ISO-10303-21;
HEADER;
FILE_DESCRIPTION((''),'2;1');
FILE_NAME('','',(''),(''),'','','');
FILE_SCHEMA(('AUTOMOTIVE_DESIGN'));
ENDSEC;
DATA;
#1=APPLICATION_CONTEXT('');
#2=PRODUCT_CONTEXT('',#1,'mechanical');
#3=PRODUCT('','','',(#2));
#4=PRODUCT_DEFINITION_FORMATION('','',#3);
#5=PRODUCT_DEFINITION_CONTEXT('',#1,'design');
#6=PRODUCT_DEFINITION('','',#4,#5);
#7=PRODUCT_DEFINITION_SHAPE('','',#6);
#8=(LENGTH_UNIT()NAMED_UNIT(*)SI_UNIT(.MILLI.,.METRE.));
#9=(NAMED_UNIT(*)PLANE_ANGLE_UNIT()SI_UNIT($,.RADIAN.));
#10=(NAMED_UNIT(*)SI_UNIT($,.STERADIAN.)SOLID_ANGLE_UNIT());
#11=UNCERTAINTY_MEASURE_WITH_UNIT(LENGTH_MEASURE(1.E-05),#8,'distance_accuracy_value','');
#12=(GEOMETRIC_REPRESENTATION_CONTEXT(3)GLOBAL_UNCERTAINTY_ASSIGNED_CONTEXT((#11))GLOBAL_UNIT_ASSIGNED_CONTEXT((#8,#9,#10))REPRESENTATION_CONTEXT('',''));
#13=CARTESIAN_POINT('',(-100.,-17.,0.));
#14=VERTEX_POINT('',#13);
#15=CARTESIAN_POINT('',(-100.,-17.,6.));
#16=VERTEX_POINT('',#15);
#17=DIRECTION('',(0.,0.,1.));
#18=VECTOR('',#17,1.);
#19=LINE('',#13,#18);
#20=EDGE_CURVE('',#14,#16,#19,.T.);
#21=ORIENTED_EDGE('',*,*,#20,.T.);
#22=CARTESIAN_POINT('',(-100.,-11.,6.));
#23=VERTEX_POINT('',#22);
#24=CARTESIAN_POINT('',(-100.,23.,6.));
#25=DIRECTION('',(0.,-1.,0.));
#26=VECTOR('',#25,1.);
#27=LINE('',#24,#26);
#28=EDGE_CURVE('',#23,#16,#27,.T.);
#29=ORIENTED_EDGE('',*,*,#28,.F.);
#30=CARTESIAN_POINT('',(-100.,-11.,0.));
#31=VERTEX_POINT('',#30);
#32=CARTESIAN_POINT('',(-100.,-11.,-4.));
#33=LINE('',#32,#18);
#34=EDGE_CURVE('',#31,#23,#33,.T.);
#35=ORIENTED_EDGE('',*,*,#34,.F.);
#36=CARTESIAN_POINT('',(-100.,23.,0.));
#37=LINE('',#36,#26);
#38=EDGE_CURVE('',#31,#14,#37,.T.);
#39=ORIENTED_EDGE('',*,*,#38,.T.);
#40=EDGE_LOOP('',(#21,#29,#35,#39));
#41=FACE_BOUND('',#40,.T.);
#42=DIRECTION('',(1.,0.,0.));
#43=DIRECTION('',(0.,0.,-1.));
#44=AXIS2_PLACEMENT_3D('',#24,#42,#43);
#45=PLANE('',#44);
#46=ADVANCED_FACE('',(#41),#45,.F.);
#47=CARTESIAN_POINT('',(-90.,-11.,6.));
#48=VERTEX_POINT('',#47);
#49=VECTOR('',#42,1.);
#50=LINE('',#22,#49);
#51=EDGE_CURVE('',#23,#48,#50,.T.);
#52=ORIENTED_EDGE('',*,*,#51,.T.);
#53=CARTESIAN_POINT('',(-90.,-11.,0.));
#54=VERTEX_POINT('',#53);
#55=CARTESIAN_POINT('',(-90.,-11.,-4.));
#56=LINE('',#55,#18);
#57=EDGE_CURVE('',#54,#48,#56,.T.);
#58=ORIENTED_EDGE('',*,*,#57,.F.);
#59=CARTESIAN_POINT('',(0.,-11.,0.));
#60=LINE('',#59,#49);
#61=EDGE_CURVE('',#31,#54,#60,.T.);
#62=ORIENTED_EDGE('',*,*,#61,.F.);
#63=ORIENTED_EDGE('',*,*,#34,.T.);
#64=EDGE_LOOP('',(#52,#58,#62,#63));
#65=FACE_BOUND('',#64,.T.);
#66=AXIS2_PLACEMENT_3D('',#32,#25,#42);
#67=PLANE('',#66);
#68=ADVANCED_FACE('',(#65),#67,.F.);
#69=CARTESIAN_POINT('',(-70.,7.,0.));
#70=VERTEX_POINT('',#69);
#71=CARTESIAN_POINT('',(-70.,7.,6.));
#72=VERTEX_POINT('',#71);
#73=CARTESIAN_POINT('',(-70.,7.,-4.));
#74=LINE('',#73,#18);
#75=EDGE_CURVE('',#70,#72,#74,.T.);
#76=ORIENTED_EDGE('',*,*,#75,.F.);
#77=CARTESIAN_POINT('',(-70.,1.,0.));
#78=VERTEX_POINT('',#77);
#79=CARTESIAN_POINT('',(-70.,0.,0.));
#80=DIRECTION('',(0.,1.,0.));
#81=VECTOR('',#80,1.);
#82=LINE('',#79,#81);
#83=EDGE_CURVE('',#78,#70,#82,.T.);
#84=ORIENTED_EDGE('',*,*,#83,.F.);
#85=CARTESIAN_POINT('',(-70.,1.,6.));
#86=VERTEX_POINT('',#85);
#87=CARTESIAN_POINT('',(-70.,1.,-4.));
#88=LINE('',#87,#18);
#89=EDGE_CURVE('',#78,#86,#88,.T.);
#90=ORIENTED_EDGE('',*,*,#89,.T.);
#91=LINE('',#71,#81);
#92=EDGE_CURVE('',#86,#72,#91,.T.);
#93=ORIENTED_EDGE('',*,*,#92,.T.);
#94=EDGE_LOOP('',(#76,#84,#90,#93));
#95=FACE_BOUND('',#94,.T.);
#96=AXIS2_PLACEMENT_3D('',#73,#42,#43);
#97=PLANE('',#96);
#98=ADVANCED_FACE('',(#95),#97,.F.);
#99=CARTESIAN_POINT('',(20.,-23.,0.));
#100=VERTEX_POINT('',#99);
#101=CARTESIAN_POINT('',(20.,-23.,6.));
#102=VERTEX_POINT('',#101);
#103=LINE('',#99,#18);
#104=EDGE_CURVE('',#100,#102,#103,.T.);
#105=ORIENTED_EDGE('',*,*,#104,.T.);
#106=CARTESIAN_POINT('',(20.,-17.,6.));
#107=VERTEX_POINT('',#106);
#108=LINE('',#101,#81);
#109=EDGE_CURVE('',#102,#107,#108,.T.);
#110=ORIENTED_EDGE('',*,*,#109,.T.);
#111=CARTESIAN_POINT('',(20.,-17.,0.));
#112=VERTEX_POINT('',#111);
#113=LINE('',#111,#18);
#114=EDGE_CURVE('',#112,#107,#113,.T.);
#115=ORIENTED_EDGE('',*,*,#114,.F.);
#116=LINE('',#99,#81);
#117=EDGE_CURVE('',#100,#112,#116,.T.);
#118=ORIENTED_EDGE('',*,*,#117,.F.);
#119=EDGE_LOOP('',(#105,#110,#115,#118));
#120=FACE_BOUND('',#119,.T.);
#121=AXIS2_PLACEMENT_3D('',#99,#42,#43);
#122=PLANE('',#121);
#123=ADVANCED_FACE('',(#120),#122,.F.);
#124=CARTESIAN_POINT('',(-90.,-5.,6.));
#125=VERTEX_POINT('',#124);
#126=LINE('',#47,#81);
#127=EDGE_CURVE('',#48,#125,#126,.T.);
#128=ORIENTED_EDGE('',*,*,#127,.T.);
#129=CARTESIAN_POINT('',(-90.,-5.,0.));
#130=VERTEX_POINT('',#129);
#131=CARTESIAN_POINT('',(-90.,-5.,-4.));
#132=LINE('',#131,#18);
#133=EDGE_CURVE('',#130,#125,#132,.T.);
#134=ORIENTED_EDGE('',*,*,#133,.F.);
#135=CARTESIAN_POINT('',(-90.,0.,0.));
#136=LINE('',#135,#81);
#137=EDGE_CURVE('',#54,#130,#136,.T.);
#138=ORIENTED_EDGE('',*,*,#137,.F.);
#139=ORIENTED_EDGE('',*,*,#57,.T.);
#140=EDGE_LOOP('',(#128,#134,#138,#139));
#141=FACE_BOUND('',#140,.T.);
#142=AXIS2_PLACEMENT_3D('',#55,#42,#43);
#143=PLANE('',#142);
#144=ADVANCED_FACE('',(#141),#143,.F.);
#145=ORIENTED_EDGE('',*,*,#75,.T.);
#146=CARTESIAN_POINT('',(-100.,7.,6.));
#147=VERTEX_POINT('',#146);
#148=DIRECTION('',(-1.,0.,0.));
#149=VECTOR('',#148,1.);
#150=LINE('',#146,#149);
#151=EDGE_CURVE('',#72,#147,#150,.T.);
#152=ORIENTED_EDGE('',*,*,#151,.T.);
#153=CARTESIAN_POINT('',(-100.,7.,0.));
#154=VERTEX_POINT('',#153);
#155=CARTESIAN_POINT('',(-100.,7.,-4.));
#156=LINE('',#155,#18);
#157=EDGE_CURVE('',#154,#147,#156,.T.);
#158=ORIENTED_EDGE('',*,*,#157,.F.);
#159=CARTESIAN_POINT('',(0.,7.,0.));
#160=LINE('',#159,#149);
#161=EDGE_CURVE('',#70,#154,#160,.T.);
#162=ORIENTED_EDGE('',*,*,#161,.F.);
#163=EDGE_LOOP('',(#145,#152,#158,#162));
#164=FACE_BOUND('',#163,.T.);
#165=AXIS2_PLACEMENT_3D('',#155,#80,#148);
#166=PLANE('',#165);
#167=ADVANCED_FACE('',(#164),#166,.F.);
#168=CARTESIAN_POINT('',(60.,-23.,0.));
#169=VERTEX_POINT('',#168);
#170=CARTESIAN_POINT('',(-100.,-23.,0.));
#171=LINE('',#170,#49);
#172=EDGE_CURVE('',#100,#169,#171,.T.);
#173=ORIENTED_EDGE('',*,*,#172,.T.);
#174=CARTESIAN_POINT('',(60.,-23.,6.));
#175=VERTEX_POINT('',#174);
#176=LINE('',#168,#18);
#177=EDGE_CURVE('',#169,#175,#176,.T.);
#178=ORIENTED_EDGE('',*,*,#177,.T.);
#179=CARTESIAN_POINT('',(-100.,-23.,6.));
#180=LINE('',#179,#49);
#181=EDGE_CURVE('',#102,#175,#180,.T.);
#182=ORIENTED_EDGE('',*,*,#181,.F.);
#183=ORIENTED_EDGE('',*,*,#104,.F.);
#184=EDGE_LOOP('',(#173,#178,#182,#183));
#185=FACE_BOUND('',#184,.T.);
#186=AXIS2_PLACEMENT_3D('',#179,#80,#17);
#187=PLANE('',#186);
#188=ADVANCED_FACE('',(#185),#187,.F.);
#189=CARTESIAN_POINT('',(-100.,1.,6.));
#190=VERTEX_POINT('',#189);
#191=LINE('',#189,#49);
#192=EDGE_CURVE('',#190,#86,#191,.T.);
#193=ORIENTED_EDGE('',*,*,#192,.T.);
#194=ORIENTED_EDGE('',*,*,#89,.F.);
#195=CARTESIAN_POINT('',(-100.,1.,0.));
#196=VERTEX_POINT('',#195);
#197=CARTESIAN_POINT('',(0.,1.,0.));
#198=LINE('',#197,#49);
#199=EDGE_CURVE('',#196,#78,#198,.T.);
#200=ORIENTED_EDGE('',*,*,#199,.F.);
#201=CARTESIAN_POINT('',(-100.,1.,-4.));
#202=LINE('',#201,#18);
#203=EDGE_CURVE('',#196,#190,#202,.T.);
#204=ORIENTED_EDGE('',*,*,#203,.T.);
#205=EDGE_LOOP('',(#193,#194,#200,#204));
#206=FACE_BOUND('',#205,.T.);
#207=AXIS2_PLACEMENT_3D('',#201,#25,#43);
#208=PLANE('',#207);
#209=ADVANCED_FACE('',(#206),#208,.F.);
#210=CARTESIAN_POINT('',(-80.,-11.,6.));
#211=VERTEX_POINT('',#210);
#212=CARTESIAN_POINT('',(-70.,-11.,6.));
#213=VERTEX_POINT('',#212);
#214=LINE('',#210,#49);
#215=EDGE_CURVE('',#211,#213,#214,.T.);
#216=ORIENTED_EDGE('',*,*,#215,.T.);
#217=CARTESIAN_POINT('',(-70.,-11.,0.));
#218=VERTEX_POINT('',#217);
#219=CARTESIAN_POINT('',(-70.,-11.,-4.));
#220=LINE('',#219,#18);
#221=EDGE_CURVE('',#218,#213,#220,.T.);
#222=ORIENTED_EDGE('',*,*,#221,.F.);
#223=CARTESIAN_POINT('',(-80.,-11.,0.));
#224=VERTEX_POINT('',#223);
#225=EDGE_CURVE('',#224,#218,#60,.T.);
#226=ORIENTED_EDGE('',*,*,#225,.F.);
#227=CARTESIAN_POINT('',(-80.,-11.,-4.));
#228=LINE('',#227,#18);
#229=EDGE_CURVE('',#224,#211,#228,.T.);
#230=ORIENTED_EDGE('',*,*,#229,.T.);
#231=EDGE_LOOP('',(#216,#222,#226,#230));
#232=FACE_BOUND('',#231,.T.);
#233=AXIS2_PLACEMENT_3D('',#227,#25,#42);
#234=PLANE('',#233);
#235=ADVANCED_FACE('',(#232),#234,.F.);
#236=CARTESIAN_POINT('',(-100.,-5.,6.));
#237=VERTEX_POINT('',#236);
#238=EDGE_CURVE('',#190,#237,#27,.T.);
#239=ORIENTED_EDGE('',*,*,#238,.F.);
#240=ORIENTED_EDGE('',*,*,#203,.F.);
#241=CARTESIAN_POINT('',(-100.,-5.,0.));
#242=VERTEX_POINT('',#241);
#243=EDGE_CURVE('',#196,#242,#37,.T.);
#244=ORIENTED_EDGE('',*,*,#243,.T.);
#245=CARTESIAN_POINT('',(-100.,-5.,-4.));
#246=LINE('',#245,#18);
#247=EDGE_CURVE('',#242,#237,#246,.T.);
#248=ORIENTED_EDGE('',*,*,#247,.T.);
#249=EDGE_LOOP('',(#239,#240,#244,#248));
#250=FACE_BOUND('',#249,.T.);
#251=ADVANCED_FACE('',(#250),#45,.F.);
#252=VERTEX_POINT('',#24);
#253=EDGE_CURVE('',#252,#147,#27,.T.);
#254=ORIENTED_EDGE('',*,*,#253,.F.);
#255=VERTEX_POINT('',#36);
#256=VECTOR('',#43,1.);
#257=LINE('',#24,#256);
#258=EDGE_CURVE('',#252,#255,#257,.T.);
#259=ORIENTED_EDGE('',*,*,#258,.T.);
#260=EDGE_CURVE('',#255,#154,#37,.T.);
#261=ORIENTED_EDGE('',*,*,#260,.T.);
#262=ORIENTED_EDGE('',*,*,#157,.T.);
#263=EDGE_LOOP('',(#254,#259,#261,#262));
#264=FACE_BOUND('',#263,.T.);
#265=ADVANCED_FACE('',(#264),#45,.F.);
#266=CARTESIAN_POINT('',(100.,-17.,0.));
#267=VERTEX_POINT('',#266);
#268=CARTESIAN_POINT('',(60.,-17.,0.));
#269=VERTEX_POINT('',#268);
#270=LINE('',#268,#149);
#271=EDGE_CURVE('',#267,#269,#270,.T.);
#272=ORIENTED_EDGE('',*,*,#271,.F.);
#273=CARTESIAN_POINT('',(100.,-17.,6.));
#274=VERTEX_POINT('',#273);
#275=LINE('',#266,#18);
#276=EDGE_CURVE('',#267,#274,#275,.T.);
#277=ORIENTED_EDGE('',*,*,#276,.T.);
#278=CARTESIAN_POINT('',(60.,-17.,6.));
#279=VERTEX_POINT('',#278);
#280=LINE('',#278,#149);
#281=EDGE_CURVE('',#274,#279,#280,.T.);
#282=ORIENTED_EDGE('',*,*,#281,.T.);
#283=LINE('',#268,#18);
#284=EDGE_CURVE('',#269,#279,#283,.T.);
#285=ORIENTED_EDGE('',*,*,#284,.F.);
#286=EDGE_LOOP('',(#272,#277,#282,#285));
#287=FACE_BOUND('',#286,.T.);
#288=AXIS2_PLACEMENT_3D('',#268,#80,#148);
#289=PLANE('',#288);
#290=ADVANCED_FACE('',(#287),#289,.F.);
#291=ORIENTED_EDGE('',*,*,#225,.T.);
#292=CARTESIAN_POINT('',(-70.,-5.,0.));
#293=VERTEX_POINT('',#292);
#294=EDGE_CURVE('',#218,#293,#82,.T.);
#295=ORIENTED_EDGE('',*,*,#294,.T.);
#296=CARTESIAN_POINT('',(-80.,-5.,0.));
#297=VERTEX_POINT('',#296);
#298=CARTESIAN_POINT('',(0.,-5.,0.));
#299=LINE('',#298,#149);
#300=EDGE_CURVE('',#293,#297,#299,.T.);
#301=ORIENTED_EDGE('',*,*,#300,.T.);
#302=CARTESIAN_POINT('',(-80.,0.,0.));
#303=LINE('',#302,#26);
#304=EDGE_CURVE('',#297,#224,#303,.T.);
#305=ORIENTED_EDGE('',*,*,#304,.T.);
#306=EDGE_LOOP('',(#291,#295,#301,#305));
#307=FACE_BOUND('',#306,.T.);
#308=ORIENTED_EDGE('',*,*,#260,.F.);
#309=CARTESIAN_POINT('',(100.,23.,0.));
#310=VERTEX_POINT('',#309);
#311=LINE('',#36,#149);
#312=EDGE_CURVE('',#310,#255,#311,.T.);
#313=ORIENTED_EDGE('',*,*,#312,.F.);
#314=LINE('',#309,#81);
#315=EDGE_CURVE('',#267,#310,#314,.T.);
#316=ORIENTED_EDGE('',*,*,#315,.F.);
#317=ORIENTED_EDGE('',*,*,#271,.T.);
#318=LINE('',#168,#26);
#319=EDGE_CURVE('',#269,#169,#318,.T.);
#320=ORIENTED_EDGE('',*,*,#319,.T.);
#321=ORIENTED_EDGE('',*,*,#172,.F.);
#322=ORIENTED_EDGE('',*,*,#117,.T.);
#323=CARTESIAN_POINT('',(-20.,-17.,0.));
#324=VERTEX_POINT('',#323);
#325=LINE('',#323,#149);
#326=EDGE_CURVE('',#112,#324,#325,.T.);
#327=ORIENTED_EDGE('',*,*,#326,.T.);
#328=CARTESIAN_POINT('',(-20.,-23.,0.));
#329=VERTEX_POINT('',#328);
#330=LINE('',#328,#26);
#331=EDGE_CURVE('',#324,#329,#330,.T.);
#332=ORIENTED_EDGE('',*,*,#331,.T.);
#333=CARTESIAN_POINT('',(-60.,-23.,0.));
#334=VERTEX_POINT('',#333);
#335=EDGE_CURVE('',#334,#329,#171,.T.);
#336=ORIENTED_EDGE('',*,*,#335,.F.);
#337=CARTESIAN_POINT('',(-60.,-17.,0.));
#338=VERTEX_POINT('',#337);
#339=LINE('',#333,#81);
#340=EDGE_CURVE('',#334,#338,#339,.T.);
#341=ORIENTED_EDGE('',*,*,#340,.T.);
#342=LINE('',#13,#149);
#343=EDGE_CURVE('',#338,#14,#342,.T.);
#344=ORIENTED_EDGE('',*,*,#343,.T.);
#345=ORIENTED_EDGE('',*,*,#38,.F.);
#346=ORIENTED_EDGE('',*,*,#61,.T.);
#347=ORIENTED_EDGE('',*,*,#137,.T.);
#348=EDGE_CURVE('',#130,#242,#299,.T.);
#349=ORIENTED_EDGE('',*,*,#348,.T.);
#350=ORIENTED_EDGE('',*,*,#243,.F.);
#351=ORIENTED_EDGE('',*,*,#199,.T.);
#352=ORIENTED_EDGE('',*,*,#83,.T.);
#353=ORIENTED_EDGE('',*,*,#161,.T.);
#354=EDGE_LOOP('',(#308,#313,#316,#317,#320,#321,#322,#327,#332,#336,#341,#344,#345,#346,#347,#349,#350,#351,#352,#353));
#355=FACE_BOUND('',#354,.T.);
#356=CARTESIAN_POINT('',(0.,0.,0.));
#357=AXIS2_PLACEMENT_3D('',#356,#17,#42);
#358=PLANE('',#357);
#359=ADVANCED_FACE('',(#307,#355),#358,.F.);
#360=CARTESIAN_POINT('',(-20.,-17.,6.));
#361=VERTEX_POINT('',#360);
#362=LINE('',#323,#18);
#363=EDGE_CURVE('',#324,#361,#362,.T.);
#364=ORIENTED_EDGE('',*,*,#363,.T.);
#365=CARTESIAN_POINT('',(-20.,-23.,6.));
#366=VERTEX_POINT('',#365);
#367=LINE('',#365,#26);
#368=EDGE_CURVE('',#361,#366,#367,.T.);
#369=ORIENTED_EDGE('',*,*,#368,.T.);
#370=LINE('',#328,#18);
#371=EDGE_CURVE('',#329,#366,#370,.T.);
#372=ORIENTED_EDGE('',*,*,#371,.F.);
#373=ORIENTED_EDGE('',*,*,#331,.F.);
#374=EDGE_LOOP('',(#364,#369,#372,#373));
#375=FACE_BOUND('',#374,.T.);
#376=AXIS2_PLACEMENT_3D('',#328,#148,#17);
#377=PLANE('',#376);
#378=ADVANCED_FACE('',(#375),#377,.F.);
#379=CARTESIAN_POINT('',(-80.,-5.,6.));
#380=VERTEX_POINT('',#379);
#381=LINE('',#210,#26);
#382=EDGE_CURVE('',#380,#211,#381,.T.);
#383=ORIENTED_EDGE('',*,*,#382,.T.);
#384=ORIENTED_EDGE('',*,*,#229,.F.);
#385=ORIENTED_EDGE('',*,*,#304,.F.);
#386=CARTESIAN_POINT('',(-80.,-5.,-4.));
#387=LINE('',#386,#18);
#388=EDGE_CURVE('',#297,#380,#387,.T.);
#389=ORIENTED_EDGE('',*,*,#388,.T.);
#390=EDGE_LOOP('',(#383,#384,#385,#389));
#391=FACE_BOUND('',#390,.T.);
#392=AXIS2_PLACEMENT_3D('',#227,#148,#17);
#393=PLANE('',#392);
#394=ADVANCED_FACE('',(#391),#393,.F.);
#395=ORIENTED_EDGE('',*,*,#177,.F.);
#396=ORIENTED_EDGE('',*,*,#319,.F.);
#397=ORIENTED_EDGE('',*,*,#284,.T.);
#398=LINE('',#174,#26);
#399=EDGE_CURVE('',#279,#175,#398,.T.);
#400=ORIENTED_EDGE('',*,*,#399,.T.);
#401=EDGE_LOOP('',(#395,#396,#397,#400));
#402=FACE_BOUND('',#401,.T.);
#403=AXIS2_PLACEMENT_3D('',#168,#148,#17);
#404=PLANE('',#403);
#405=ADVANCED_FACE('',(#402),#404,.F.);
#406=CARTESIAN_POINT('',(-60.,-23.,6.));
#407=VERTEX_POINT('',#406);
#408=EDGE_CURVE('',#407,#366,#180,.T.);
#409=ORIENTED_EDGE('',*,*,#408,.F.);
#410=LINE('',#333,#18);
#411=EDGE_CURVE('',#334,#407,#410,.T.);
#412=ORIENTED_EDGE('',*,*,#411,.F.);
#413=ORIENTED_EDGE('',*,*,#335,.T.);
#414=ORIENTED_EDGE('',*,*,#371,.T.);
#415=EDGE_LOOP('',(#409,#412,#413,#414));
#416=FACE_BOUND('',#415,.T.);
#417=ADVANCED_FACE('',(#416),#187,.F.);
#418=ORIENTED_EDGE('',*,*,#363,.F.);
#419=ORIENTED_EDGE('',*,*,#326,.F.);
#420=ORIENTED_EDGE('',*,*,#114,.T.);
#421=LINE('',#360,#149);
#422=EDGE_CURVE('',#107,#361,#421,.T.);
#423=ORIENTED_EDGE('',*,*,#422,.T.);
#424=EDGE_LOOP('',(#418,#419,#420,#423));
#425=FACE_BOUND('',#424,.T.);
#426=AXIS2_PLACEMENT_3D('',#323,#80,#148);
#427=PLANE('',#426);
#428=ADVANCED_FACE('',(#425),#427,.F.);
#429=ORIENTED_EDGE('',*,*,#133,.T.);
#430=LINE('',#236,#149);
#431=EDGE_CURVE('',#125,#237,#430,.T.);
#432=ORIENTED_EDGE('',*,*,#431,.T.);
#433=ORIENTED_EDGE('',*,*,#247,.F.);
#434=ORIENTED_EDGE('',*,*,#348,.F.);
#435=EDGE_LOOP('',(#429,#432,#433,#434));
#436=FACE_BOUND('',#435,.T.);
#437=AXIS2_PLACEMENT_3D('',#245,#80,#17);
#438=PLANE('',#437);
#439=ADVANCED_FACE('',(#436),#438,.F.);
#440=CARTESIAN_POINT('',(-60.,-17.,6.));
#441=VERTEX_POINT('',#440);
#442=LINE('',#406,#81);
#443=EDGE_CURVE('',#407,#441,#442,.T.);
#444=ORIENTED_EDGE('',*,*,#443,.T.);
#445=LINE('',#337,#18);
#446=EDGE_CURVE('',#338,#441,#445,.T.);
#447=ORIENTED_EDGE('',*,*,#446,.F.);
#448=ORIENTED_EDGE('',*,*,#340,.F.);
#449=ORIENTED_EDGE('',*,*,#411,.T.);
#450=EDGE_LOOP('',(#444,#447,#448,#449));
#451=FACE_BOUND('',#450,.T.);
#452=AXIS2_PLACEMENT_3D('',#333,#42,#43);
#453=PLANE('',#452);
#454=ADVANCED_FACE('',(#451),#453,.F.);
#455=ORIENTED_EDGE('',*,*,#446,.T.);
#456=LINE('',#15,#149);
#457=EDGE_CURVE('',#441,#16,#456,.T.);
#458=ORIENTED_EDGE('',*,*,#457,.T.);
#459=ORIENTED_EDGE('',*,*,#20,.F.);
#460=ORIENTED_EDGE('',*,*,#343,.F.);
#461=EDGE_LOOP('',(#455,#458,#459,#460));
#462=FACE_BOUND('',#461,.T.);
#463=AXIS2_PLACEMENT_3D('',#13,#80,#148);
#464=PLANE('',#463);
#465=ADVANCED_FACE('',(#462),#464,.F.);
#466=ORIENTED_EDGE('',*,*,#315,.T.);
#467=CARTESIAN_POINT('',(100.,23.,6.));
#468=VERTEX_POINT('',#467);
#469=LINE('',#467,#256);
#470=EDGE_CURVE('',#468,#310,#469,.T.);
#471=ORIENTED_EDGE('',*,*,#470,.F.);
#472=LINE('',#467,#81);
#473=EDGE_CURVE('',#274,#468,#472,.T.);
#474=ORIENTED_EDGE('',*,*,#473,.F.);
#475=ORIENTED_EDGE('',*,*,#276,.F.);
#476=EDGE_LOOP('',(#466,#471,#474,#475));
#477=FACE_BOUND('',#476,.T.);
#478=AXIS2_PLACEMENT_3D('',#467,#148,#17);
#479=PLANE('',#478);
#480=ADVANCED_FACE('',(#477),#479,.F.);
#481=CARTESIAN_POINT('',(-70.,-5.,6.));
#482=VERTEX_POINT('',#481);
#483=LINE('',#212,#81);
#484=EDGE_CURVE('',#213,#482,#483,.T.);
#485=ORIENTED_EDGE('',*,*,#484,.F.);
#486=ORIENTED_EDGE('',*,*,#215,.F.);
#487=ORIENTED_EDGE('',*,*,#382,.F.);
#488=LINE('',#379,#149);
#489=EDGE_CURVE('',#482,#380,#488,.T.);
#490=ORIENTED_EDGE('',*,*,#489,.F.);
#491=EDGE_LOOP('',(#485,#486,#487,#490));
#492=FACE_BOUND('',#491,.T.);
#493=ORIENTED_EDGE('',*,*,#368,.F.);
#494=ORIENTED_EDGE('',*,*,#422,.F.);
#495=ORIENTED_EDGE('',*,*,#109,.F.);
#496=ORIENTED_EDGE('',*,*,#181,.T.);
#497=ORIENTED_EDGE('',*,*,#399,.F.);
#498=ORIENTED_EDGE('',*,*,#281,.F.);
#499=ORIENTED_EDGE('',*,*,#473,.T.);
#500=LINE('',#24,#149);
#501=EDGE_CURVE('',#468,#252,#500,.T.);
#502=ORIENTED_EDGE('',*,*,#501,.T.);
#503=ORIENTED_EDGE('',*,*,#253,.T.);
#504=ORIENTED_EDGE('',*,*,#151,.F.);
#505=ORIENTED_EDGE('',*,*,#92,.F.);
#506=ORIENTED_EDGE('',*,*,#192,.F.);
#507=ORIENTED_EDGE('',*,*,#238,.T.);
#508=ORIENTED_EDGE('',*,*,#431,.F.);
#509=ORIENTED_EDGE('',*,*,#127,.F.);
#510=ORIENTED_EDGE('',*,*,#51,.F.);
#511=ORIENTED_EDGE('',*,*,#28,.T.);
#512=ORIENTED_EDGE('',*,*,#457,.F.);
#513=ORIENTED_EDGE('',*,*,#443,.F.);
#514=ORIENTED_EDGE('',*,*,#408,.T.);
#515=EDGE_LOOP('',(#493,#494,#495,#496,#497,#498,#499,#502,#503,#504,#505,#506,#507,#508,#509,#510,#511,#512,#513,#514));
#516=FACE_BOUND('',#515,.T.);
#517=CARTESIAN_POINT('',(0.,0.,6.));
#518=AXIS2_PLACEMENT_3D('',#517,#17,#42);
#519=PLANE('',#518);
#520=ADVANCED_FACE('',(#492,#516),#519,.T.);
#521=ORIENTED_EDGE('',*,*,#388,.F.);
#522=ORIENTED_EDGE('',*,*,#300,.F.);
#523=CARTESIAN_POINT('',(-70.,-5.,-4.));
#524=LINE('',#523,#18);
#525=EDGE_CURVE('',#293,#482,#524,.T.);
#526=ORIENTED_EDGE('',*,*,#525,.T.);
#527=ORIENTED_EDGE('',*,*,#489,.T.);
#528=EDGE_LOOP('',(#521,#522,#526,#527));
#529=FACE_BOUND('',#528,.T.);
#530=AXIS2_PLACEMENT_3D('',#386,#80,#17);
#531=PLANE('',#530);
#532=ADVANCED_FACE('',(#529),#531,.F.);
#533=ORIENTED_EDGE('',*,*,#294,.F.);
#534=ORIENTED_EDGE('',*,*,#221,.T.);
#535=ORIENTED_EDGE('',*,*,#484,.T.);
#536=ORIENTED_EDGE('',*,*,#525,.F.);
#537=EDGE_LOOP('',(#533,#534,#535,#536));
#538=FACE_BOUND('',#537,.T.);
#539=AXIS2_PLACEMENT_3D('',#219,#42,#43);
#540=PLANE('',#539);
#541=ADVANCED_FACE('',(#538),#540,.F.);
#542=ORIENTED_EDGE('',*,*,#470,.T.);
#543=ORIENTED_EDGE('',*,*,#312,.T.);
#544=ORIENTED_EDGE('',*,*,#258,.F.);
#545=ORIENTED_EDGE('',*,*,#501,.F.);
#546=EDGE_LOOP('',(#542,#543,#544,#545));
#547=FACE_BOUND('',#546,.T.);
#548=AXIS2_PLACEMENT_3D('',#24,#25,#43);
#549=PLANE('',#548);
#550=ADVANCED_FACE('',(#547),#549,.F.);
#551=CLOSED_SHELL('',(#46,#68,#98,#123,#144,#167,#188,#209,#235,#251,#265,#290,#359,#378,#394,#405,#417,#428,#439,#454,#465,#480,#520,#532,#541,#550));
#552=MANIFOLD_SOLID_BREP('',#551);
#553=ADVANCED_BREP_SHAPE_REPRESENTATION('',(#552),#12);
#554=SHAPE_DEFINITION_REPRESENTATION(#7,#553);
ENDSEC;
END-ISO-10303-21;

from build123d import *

# Parameters (mm, degrees)
SKETCH1_W           = 200
SKETCH1_H           = 46
BOSS_EXTRUDE1_DEPTH = 6
SKETCH2_W           = 40
SKETCH2_H           = 6
CUT_EXTRUDE1_DEPTH  = 6
SKETCH3_W           = 10
SKETCH3_H           = 6
CUT_EXTRUDE2_DEPTH  = 10
SKETCH4_W           = 30
SKETCH4_H           = 6
CUT_EXTRUDE3_DEPTH  = 10


with BuildPart() as part:
    # Sketch1 → Boss-Extrude1 (new body)
    with BuildSketch(Plane.XY):
        Rectangle(SKETCH1_W, SKETCH1_H)
    extrude(amount=BOSS_EXTRUDE1_DEPTH)

    # Sketch2 → Cut-Extrude1 (cut)
    with BuildSketch(Plane.XY.offset(6)):
        with Locations((0, -20)):
            Rectangle(SKETCH2_W, SKETCH2_H)
        with Locations((-80, -20)):
            Rectangle(SKETCH2_W, SKETCH2_H)
        with Locations((80, -20)):
            Rectangle(SKETCH2_W, SKETCH2_H)
    extrude(amount=-CUT_EXTRUDE1_DEPTH, mode=Mode.SUBTRACT)

    # Sketch3 → Cut-Extrude2 (cut)
    with BuildSketch(Plane.XY.offset(6)):
        with Locations((-95, -8)):
            Rectangle(SKETCH3_W, SKETCH3_H)
        with Locations((-75, -8)):
            Rectangle(SKETCH3_W, SKETCH3_H)
    extrude(amount=-CUT_EXTRUDE2_DEPTH, mode=Mode.SUBTRACT)

    # Sketch4 → Cut-Extrude3 (cut)
    with BuildSketch(Plane.XY.offset(6)):
        with Locations((-85, 4)):
            Rectangle(SKETCH4_W, SKETCH4_H)
    extrude(amount=-CUT_EXTRUDE3_DEPTH, mode=Mode.SUBTRACT)


solid = part.part
